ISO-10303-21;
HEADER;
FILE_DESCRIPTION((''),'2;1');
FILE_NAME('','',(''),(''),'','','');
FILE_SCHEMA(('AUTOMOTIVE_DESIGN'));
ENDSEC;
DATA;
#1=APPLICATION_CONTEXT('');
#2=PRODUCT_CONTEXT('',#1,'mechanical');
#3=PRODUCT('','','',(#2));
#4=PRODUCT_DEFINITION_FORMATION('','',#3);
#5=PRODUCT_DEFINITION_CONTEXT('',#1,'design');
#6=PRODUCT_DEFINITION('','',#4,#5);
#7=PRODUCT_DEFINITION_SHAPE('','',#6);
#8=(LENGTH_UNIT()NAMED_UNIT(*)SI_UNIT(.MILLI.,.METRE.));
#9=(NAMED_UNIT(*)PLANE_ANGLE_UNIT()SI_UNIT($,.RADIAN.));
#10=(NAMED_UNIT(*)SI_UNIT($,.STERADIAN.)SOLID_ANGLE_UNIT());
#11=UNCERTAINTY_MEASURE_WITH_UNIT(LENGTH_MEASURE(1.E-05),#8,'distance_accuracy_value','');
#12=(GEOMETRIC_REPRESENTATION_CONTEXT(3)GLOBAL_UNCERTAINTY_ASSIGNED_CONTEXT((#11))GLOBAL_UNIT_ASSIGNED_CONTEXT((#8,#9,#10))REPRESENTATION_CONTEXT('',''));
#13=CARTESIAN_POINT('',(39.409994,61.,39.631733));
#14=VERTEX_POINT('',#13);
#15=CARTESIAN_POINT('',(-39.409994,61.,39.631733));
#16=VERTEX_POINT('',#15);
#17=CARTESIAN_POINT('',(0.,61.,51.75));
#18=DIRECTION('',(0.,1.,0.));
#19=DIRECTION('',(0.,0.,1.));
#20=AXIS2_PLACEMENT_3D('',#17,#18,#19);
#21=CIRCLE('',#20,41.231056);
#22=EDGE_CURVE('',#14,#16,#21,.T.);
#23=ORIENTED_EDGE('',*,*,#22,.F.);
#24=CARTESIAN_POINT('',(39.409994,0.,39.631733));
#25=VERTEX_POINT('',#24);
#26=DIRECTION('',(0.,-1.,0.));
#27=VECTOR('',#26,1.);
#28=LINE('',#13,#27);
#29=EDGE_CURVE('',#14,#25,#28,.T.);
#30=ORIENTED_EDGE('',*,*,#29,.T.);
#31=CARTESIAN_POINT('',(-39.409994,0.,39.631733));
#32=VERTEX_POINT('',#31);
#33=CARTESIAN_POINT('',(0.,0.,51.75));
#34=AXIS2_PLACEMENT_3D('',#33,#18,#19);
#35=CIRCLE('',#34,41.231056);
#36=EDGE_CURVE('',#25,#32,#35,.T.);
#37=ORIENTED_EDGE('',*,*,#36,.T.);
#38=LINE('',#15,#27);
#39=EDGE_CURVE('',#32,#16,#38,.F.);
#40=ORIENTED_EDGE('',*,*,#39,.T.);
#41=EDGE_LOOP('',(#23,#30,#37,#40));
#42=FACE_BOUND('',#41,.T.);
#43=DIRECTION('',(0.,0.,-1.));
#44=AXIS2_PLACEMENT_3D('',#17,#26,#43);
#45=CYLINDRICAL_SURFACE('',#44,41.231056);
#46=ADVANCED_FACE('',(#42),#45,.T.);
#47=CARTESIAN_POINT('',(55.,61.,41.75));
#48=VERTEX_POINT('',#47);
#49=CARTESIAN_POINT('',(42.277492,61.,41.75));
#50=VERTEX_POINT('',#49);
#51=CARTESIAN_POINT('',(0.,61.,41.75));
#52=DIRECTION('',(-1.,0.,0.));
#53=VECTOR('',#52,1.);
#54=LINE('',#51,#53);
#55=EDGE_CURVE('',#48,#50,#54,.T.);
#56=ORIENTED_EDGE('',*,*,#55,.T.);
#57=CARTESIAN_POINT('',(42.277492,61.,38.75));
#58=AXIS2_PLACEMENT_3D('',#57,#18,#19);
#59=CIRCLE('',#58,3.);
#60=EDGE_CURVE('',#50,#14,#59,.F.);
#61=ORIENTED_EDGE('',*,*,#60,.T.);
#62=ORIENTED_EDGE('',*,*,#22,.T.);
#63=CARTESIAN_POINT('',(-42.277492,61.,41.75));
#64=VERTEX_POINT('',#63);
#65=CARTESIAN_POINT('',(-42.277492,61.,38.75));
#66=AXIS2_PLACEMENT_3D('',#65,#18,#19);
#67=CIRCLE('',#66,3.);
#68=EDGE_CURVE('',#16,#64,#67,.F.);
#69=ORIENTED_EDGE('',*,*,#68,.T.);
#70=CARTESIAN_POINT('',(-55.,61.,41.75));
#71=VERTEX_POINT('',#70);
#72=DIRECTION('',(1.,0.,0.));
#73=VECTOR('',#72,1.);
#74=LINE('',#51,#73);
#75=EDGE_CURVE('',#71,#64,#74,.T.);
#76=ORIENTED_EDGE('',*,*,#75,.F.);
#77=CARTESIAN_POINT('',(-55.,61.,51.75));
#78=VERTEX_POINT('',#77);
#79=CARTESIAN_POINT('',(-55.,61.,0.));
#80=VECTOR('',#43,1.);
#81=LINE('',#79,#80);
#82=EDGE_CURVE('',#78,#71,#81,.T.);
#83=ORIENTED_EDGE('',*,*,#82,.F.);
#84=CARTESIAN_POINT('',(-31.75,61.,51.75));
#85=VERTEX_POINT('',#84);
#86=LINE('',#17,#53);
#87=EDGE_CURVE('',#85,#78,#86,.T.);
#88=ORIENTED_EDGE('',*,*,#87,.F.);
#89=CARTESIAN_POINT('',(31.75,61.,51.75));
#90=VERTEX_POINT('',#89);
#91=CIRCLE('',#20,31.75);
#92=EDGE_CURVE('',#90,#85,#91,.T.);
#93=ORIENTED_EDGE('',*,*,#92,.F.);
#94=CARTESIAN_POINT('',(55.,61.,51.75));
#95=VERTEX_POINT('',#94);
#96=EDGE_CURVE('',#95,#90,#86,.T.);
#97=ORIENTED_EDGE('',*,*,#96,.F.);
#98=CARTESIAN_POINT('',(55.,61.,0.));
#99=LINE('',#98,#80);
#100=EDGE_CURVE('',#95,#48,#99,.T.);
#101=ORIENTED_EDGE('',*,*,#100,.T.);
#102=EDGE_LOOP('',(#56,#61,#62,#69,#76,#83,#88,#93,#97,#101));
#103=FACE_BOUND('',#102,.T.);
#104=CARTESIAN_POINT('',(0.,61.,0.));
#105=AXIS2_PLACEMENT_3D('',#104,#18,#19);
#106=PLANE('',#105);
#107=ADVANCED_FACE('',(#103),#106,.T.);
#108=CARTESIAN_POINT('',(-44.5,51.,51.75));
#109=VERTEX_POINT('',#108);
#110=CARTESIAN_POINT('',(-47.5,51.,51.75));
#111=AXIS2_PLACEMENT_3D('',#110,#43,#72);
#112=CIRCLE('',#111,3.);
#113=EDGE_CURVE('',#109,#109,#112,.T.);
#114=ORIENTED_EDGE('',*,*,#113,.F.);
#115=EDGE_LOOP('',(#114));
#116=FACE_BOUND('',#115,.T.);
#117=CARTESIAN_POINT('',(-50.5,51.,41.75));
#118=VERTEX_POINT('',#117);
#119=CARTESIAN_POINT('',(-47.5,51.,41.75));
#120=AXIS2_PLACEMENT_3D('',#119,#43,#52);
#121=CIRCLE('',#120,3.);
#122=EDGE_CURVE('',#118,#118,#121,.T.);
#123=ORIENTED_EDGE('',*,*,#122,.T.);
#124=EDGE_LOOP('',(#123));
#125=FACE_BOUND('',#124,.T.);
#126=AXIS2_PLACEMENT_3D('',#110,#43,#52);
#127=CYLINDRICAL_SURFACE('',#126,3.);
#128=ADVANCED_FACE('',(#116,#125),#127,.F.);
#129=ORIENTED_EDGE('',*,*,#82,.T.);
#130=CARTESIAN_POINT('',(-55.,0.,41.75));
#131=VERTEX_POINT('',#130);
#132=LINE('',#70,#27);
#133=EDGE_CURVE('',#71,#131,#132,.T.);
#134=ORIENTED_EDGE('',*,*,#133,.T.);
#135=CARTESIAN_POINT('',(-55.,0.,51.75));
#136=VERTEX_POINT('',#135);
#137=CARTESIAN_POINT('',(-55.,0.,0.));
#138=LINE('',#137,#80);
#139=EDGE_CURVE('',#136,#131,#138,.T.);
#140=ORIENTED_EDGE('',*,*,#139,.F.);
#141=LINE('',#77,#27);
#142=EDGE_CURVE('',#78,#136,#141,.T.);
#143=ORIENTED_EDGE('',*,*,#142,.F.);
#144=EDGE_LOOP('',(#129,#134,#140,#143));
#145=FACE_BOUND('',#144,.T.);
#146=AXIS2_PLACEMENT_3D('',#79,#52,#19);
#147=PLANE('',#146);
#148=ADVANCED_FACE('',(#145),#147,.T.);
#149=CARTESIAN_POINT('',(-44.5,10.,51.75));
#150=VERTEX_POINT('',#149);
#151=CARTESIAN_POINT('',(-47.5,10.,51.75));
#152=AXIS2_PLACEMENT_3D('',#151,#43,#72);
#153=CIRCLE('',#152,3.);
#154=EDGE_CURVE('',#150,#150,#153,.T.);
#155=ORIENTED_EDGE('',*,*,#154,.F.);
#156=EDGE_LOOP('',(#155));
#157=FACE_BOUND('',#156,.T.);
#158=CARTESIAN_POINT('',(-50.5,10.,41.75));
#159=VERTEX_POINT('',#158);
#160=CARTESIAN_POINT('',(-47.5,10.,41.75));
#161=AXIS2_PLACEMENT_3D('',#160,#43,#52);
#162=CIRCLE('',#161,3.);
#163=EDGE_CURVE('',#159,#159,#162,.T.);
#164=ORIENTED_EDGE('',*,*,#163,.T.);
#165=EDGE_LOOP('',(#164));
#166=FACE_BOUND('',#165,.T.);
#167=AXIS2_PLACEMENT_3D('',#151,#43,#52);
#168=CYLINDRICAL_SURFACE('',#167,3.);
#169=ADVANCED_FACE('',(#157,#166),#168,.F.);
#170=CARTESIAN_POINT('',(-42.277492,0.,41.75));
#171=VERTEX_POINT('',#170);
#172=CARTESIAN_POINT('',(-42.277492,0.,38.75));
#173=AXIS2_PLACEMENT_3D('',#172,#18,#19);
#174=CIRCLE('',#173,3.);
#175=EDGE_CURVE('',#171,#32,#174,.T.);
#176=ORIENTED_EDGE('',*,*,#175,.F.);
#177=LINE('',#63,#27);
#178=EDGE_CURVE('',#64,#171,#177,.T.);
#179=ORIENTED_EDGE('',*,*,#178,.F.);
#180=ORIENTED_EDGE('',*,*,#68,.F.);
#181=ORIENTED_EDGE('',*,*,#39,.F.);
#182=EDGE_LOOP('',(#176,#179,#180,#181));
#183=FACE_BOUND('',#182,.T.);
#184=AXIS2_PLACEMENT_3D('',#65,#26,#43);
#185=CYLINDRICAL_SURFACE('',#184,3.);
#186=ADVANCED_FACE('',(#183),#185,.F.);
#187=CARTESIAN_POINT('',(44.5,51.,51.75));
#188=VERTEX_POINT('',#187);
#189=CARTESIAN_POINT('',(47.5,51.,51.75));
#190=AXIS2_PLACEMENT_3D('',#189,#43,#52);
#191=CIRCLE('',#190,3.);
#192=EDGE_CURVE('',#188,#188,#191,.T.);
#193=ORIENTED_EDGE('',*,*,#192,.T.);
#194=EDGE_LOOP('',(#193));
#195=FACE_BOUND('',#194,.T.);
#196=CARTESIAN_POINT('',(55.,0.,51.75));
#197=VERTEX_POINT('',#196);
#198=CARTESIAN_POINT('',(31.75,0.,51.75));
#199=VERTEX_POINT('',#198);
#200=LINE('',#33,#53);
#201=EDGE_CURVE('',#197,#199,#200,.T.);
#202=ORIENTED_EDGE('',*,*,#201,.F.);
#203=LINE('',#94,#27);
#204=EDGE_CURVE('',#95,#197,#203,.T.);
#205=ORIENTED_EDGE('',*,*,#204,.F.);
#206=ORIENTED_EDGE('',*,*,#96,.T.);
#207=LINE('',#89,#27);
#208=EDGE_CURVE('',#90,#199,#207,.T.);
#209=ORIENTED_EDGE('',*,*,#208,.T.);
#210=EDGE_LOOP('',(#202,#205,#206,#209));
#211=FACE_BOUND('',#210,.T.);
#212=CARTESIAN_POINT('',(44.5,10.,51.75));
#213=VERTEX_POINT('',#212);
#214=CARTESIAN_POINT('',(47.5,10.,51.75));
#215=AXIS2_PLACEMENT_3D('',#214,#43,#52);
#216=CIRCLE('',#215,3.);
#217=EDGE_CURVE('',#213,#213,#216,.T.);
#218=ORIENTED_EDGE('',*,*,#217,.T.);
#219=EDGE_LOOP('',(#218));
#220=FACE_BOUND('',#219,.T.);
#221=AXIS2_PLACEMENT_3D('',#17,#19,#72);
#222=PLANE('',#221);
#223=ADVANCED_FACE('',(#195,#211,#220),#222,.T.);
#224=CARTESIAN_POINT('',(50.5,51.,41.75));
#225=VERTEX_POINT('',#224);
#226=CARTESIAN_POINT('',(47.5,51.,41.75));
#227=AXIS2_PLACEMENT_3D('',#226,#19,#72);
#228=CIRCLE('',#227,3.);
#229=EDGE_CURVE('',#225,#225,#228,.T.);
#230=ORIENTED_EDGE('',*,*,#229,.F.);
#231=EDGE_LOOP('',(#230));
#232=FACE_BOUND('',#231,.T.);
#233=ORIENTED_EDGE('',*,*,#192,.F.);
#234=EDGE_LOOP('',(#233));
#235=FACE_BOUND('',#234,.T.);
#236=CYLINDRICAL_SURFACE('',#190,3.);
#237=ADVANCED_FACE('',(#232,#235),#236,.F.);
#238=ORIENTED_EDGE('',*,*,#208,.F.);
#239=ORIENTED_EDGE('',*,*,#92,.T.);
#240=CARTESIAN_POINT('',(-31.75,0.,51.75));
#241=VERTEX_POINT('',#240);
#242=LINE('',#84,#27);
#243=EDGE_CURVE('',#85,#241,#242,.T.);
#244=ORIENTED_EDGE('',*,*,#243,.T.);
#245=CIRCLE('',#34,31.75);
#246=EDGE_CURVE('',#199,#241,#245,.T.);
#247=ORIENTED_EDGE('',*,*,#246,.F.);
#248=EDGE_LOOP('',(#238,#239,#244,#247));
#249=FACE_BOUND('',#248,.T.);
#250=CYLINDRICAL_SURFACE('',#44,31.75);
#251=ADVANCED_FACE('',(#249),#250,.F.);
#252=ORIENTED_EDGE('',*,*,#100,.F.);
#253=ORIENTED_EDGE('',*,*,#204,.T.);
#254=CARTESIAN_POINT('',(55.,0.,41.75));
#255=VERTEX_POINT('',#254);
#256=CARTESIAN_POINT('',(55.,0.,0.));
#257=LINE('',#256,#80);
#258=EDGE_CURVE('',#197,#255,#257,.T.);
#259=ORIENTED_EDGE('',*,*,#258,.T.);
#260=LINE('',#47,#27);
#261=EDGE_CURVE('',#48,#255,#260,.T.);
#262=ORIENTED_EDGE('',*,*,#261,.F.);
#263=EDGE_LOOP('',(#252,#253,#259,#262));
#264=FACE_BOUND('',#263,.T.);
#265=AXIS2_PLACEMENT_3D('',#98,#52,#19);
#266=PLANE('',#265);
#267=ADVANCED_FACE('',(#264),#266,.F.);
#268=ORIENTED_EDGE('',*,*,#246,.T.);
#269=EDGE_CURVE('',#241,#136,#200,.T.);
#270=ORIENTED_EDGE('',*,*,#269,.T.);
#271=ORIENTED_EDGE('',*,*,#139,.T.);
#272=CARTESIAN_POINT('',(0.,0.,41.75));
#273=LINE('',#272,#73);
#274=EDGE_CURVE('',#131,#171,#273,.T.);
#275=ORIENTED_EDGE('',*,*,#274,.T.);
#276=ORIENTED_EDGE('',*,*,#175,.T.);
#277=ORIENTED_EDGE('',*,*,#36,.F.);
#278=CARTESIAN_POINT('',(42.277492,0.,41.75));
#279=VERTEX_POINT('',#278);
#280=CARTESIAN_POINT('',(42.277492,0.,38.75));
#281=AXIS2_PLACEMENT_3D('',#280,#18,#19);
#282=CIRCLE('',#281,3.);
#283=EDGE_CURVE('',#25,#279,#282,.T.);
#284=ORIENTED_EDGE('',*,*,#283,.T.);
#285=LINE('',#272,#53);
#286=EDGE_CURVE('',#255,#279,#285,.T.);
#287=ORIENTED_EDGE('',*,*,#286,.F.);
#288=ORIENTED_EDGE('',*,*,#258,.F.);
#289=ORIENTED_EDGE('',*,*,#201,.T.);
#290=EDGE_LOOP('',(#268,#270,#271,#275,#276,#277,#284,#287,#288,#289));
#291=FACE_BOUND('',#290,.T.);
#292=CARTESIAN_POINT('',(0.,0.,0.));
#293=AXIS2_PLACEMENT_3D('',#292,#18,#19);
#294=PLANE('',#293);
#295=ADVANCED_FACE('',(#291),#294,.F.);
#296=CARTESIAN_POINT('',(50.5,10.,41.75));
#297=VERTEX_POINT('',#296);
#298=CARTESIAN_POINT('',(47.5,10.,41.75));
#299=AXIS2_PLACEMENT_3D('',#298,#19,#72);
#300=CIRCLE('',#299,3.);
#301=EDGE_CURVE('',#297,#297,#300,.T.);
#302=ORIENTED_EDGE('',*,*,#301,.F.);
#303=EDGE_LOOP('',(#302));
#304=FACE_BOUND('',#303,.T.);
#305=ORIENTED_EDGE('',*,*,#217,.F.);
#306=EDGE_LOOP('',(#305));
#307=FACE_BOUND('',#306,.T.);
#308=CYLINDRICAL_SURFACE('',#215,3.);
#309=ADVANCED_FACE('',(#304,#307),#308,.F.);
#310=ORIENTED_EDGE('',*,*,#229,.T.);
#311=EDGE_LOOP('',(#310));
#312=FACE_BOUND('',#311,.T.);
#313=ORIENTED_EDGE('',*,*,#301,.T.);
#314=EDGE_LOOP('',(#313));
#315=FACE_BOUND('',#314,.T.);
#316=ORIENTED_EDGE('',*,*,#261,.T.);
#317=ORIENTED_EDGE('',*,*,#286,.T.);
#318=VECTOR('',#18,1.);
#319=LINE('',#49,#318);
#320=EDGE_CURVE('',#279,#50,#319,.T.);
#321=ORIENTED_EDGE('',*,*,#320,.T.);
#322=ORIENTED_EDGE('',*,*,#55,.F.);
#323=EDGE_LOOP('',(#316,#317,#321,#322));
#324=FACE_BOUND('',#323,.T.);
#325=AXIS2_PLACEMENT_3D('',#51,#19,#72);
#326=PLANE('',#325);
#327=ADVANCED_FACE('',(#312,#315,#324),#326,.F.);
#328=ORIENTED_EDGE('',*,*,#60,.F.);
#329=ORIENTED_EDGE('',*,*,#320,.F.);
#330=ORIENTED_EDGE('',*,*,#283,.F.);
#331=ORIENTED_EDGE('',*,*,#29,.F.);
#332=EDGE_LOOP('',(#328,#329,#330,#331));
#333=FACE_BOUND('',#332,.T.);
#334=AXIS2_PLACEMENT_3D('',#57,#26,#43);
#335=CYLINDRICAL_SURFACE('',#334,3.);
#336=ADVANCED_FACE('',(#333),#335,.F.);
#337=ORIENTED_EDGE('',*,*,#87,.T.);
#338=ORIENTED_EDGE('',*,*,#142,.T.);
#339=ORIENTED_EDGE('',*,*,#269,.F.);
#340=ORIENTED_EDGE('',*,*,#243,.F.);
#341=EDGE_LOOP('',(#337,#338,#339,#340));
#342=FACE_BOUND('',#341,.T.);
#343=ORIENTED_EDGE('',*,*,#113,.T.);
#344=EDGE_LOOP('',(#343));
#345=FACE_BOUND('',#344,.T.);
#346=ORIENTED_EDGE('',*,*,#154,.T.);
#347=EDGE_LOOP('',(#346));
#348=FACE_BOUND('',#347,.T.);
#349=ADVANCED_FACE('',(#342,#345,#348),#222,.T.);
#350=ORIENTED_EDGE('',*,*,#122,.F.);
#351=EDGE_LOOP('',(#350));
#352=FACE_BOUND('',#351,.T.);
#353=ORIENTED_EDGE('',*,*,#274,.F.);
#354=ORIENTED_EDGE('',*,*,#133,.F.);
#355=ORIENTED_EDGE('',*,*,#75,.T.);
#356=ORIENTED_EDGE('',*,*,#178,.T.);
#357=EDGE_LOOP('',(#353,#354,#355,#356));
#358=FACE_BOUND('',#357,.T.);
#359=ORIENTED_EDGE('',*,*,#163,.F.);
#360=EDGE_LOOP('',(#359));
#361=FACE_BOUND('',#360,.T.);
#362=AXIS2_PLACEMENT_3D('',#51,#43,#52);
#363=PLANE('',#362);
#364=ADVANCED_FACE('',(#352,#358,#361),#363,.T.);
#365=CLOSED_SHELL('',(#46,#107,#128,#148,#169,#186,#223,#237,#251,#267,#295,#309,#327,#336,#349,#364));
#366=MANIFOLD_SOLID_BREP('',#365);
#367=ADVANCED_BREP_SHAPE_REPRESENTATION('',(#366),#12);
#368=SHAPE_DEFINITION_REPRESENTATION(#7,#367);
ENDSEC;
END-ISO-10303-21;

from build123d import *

# Parameters (mm, degrees)
BOSS_EXTRUDE1_DEPTH     = 61
CUT_EXTRUDE1_DEPTH      = 88.871376881
CUT_EXTRUDE1_DEPTH_BACK = 88.871376881
SKETCH2_R               = 3
FILLET1_R               = 3


with BuildPart() as part:
    # Sketch1 → Boss-Extrude1 (new body)
    with BuildSketch(Plane(origin=(0, 0, 0), x_dir=(1, 0, 0), z_dir=(0, 1, 0))):
        with BuildLine():
            Line((40, -51.75), (31.75, -51.75))
            ThreePointArc((31.75, -51.75), (0, -20), (-31.75, -51.75))
            Line((-31.75, -51.75), (-40, -51.75))
            Line((-40, -51.75), (-55, -51.75))
            Line((-55, -51.75), (-55, -41.75))
            Line((-55, -41.75), (-40, -41.75))
            ThreePointArc((-40, -41.75), (0, -10.518943744), (40, -41.75))
            Line((40, -41.75), (55, -41.75))
            Line((55, -41.75), (55, -51.75))
            Line((55, -51.75), (40, -51.75))
        make_face()
    extrude(amount=BOSS_EXTRUDE1_DEPTH)

    # Sketch2 → Cut-Extrude1 (cut, two sides: drawn at the far end of the back side and taken through both)
    with BuildSketch(Plane(origin=(0, 0, 41.75), x_dir=(-1, 0, 0), z_dir=(0, 0, -1)).offset(-CUT_EXTRUDE1_DEPTH_BACK)):
        with Locations((-47.5, 51)):
            Circle(SKETCH2_R)
        with Locations((-47.5, 10)):
            Circle(SKETCH2_R)
        with Locations((47.5, 10)):
            Circle(SKETCH2_R)
        with Locations((47.5, 51)):
            Circle(SKETCH2_R)
    extrude(amount=CUT_EXTRUDE1_DEPTH + CUT_EXTRUDE1_DEPTH_BACK, mode=Mode.SUBTRACT)

    # Fillet1
    fillet1_edges = [part.edges().sort_by_distance(p)[0] for p in [
        (-40, 30.5, 41.75),
        (40, 30.5, 41.75),
    ]]
    fillet(fillet1_edges, radius=FILLET1_R)


solid = part.part
